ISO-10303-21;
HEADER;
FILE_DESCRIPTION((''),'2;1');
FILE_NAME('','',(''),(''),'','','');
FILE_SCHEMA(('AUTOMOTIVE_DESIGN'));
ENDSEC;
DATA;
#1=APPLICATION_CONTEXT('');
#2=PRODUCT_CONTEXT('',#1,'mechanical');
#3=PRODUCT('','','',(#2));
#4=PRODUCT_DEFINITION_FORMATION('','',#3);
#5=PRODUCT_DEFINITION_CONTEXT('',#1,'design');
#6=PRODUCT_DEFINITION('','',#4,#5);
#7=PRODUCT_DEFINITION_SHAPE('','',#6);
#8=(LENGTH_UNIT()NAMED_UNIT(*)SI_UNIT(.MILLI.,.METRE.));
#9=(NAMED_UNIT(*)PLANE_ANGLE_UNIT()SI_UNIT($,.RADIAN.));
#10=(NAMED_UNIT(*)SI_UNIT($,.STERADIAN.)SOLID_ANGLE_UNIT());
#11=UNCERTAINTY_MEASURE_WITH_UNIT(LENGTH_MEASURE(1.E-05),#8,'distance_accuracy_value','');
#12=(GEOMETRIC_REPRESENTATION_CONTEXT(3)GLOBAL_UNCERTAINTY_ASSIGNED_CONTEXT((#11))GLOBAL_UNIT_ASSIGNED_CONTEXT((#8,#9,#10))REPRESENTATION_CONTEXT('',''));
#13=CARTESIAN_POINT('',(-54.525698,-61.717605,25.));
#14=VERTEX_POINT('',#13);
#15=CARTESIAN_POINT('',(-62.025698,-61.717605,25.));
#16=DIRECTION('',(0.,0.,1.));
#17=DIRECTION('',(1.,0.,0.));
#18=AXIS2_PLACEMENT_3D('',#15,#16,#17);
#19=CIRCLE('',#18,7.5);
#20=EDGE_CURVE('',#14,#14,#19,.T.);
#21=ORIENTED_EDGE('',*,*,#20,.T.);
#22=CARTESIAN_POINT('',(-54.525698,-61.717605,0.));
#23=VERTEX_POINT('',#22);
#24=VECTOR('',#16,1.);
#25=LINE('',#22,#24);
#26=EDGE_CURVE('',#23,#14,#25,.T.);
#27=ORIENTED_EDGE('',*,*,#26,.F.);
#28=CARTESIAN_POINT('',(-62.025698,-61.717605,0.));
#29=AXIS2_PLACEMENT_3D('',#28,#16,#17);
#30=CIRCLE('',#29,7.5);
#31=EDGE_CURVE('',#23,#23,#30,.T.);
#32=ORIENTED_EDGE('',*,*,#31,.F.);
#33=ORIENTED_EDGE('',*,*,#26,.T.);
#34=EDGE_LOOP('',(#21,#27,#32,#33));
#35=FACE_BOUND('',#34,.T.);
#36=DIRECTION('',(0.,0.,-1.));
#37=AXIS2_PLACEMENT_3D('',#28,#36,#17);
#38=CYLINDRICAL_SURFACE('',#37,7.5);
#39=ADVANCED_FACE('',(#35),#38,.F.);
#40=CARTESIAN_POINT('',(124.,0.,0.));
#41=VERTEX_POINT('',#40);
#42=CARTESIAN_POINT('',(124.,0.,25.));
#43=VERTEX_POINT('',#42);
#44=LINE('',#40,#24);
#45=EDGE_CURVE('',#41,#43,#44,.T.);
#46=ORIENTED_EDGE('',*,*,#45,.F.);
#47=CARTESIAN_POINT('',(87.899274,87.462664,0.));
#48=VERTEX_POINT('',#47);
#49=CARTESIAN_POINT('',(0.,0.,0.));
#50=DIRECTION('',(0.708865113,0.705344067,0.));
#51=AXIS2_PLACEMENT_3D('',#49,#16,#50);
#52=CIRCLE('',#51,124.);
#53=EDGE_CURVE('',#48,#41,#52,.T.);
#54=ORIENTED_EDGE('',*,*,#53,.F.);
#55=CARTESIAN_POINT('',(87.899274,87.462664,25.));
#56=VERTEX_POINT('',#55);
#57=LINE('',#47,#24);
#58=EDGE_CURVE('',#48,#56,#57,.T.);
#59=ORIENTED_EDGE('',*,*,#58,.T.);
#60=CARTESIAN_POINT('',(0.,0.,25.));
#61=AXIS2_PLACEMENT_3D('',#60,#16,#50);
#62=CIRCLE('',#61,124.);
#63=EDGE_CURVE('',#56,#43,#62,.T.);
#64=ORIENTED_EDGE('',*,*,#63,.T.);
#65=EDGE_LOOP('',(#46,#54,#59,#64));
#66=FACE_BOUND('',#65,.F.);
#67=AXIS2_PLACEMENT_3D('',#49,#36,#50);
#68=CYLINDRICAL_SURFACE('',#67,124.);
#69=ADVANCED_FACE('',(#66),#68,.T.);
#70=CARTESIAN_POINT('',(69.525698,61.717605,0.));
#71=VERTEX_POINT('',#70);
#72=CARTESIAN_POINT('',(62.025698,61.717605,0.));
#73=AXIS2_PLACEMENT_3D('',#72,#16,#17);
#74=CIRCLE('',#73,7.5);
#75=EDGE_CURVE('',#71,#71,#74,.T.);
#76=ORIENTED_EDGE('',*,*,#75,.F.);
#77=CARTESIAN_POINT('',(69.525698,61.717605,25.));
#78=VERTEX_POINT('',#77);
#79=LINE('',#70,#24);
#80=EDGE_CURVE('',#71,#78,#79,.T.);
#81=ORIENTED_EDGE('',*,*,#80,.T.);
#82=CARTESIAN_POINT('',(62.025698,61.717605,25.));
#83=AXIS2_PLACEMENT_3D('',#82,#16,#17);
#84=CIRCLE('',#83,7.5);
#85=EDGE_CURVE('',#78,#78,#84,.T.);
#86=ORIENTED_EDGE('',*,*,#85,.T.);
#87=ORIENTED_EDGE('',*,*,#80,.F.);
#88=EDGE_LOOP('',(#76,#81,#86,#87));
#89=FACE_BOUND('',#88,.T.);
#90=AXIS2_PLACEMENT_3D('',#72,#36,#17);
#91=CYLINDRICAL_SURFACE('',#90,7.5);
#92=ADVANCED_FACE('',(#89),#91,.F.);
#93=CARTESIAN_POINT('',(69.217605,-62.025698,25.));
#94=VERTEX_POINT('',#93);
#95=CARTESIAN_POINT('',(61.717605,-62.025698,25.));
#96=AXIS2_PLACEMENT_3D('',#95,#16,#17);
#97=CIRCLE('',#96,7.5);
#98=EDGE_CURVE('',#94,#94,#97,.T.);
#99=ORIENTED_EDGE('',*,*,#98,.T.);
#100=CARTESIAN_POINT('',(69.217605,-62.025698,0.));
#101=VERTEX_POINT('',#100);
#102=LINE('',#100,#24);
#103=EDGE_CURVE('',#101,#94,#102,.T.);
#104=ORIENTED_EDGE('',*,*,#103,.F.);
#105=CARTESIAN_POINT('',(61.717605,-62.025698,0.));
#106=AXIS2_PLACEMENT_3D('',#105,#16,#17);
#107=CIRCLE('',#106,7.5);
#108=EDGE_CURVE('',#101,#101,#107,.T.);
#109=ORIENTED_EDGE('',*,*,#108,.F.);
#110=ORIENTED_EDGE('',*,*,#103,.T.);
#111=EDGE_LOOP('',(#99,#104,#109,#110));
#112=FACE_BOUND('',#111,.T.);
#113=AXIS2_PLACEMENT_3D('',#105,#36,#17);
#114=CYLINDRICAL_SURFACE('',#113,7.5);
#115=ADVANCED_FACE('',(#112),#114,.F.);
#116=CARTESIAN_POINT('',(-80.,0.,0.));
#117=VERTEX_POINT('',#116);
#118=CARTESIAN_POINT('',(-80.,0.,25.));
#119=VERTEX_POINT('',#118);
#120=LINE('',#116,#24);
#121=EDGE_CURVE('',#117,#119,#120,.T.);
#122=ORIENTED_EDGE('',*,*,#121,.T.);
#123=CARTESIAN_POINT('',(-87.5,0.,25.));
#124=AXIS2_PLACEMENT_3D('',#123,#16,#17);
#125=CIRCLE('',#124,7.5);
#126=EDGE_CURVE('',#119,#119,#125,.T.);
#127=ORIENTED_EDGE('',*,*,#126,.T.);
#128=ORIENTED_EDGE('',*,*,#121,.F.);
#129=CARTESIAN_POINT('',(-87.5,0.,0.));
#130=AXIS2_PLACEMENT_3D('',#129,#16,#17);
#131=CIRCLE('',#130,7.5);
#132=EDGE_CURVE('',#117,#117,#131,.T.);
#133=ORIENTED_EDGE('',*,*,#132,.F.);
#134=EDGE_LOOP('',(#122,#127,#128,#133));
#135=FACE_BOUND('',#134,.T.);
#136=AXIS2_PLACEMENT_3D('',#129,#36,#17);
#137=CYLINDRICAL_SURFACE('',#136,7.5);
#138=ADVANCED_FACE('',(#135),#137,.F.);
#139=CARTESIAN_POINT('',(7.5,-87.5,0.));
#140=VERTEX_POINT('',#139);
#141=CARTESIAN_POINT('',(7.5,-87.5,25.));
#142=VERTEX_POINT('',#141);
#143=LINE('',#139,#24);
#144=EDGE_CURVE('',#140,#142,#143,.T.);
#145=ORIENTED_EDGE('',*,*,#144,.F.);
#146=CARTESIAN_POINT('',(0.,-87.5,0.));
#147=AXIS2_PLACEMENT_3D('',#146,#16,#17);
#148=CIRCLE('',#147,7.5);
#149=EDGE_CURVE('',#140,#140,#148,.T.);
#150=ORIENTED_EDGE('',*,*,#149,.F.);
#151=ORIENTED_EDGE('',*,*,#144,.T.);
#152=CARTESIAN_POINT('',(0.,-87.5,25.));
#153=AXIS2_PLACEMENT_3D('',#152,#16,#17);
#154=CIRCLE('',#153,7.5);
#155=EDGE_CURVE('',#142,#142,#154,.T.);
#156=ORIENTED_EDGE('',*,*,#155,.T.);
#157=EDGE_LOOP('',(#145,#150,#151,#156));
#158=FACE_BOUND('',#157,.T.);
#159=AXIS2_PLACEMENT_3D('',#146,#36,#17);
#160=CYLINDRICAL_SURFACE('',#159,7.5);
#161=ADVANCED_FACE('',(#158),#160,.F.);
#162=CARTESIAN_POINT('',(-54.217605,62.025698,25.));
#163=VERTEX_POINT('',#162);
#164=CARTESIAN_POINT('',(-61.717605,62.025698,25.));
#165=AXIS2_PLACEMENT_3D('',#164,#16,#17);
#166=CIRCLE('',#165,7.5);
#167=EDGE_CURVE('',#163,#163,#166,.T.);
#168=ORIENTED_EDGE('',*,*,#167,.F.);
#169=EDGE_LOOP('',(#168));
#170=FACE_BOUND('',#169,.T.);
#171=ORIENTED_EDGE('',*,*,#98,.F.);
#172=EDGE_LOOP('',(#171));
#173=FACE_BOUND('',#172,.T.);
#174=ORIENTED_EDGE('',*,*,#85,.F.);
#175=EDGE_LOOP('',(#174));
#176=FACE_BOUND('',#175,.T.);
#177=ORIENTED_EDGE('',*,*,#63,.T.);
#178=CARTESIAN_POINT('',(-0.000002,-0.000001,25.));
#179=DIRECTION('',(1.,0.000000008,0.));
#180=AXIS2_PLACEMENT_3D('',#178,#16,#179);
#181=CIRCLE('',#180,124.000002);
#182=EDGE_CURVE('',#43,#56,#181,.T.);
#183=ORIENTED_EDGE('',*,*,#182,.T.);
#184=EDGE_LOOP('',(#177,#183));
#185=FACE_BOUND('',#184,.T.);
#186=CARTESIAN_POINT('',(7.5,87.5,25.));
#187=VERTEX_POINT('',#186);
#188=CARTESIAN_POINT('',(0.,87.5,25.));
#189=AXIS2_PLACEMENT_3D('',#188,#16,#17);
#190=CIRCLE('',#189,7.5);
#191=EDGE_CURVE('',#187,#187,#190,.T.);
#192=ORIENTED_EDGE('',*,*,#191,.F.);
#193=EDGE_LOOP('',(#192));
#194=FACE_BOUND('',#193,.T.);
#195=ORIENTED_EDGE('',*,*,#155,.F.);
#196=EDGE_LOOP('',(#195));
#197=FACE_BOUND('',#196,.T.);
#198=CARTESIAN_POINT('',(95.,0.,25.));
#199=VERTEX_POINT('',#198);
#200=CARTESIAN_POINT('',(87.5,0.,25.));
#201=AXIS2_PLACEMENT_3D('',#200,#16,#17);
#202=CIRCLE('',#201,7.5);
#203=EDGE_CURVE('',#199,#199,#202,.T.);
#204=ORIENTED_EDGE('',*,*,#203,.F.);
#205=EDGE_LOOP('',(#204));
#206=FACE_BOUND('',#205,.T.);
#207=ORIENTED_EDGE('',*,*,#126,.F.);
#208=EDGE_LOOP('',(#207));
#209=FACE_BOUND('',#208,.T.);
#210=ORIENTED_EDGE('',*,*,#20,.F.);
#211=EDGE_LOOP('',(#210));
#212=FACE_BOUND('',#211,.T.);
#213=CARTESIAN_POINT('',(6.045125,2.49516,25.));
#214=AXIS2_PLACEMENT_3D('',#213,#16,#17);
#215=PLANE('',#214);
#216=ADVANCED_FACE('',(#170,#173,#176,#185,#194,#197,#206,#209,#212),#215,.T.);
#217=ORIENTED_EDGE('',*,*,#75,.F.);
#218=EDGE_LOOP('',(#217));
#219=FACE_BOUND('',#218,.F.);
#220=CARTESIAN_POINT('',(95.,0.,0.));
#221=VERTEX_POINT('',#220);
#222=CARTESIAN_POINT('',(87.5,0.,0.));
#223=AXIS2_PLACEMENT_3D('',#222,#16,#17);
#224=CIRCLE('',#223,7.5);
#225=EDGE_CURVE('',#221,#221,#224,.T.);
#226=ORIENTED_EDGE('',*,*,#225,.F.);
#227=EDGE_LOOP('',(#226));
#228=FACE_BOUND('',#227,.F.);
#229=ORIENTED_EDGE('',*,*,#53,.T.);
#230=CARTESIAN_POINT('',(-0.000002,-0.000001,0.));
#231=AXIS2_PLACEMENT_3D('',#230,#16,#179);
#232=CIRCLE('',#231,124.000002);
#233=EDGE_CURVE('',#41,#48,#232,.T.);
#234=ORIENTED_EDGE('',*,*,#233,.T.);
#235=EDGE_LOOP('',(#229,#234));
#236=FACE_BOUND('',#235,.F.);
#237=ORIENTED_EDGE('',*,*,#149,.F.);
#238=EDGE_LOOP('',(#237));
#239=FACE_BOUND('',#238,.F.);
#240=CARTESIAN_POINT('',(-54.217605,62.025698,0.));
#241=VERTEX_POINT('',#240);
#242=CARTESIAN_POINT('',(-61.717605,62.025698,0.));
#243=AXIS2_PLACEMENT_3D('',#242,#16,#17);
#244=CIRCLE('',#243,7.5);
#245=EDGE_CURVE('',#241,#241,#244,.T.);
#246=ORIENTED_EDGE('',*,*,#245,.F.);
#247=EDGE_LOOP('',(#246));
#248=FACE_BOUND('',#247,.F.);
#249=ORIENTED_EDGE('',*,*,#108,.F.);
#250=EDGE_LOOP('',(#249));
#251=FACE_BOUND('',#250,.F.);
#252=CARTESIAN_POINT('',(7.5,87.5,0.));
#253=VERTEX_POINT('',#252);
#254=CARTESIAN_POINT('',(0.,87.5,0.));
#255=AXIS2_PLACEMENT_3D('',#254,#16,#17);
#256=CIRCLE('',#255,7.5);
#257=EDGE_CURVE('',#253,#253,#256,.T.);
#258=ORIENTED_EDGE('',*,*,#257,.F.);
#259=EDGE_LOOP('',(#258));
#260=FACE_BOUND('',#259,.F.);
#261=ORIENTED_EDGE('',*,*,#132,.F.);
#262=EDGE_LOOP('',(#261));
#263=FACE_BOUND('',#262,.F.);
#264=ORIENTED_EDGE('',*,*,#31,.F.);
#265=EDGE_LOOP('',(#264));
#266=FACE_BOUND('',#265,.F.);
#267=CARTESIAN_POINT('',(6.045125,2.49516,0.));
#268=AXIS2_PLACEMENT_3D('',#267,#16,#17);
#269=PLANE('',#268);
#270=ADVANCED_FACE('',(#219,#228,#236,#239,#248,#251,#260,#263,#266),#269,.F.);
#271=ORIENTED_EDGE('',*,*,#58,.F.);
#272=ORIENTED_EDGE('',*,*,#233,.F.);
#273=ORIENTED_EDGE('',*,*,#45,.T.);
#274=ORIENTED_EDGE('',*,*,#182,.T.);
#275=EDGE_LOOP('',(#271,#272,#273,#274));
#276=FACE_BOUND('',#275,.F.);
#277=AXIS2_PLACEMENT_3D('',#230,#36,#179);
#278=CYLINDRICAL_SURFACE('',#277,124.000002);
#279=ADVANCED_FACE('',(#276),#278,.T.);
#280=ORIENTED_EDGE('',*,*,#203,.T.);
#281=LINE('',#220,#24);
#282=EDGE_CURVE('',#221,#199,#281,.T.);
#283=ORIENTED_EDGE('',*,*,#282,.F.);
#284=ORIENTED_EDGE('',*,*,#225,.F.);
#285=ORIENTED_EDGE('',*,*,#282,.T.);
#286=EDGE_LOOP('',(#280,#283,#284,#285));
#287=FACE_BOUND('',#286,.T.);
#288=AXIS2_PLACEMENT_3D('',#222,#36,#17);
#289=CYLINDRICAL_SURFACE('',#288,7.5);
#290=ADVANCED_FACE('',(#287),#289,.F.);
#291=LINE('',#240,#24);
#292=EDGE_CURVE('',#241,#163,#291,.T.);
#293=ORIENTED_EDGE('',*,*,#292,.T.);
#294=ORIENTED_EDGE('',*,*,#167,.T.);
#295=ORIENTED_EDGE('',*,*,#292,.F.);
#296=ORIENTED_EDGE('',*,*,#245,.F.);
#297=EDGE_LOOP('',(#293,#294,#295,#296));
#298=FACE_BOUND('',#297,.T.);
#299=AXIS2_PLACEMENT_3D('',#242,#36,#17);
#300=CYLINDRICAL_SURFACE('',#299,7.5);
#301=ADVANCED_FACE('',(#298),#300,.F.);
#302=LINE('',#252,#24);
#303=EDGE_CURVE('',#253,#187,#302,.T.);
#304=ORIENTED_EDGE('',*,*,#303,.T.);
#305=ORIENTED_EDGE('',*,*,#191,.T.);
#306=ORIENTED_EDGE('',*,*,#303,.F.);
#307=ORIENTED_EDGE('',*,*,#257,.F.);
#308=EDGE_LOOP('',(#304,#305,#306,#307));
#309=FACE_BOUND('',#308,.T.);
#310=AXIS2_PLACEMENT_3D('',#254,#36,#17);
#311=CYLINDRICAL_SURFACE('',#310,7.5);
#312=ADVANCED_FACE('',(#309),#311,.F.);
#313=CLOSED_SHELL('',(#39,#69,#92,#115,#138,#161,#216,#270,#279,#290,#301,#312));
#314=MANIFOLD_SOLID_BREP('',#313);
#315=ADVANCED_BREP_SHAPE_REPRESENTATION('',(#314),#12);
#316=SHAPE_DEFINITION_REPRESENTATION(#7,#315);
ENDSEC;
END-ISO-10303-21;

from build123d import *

# Parameters (mm, degrees)
F0_R     = 7.5
F1_DEPTH = 25


with BuildPart() as f1:
    # F0 (on Top) → F1 (new body)
    with BuildSketch(Plane.XY):
        with BuildLine():
            ThreePointArc((87.899274, 87.462664), (-114.620046, -47.310094), (124, 0))
            ThreePointArc((124, 0), (114.620046, 47.310094), (87.899274, 87.462664))
        make_face()
        with Locations((-62.025698, -61.717605)):
            Circle(F0_R, mode=Mode.SUBTRACT)
        with Locations((0, -87.5)):
            Circle(F0_R, mode=Mode.SUBTRACT)
        with Locations((61.717605, -62.025698)):
            Circle(F0_R, mode=Mode.SUBTRACT)
        with Locations((-87.5, 0)):
            Circle(F0_R, mode=Mode.SUBTRACT)
        with Locations((-61.717605, 62.025698)):
            Circle(F0_R, mode=Mode.SUBTRACT)
        with Locations((87.5, 0)):
            Circle(F0_R, mode=Mode.SUBTRACT)
        with Locations((62.025698, 61.717605)):
            Circle(F0_R, mode=Mode.SUBTRACT)
        with Locations((0, 87.5)):
            Circle(F0_R, mode=Mode.SUBTRACT)
    extrude(amount=F1_DEPTH)


solid = f1.part
